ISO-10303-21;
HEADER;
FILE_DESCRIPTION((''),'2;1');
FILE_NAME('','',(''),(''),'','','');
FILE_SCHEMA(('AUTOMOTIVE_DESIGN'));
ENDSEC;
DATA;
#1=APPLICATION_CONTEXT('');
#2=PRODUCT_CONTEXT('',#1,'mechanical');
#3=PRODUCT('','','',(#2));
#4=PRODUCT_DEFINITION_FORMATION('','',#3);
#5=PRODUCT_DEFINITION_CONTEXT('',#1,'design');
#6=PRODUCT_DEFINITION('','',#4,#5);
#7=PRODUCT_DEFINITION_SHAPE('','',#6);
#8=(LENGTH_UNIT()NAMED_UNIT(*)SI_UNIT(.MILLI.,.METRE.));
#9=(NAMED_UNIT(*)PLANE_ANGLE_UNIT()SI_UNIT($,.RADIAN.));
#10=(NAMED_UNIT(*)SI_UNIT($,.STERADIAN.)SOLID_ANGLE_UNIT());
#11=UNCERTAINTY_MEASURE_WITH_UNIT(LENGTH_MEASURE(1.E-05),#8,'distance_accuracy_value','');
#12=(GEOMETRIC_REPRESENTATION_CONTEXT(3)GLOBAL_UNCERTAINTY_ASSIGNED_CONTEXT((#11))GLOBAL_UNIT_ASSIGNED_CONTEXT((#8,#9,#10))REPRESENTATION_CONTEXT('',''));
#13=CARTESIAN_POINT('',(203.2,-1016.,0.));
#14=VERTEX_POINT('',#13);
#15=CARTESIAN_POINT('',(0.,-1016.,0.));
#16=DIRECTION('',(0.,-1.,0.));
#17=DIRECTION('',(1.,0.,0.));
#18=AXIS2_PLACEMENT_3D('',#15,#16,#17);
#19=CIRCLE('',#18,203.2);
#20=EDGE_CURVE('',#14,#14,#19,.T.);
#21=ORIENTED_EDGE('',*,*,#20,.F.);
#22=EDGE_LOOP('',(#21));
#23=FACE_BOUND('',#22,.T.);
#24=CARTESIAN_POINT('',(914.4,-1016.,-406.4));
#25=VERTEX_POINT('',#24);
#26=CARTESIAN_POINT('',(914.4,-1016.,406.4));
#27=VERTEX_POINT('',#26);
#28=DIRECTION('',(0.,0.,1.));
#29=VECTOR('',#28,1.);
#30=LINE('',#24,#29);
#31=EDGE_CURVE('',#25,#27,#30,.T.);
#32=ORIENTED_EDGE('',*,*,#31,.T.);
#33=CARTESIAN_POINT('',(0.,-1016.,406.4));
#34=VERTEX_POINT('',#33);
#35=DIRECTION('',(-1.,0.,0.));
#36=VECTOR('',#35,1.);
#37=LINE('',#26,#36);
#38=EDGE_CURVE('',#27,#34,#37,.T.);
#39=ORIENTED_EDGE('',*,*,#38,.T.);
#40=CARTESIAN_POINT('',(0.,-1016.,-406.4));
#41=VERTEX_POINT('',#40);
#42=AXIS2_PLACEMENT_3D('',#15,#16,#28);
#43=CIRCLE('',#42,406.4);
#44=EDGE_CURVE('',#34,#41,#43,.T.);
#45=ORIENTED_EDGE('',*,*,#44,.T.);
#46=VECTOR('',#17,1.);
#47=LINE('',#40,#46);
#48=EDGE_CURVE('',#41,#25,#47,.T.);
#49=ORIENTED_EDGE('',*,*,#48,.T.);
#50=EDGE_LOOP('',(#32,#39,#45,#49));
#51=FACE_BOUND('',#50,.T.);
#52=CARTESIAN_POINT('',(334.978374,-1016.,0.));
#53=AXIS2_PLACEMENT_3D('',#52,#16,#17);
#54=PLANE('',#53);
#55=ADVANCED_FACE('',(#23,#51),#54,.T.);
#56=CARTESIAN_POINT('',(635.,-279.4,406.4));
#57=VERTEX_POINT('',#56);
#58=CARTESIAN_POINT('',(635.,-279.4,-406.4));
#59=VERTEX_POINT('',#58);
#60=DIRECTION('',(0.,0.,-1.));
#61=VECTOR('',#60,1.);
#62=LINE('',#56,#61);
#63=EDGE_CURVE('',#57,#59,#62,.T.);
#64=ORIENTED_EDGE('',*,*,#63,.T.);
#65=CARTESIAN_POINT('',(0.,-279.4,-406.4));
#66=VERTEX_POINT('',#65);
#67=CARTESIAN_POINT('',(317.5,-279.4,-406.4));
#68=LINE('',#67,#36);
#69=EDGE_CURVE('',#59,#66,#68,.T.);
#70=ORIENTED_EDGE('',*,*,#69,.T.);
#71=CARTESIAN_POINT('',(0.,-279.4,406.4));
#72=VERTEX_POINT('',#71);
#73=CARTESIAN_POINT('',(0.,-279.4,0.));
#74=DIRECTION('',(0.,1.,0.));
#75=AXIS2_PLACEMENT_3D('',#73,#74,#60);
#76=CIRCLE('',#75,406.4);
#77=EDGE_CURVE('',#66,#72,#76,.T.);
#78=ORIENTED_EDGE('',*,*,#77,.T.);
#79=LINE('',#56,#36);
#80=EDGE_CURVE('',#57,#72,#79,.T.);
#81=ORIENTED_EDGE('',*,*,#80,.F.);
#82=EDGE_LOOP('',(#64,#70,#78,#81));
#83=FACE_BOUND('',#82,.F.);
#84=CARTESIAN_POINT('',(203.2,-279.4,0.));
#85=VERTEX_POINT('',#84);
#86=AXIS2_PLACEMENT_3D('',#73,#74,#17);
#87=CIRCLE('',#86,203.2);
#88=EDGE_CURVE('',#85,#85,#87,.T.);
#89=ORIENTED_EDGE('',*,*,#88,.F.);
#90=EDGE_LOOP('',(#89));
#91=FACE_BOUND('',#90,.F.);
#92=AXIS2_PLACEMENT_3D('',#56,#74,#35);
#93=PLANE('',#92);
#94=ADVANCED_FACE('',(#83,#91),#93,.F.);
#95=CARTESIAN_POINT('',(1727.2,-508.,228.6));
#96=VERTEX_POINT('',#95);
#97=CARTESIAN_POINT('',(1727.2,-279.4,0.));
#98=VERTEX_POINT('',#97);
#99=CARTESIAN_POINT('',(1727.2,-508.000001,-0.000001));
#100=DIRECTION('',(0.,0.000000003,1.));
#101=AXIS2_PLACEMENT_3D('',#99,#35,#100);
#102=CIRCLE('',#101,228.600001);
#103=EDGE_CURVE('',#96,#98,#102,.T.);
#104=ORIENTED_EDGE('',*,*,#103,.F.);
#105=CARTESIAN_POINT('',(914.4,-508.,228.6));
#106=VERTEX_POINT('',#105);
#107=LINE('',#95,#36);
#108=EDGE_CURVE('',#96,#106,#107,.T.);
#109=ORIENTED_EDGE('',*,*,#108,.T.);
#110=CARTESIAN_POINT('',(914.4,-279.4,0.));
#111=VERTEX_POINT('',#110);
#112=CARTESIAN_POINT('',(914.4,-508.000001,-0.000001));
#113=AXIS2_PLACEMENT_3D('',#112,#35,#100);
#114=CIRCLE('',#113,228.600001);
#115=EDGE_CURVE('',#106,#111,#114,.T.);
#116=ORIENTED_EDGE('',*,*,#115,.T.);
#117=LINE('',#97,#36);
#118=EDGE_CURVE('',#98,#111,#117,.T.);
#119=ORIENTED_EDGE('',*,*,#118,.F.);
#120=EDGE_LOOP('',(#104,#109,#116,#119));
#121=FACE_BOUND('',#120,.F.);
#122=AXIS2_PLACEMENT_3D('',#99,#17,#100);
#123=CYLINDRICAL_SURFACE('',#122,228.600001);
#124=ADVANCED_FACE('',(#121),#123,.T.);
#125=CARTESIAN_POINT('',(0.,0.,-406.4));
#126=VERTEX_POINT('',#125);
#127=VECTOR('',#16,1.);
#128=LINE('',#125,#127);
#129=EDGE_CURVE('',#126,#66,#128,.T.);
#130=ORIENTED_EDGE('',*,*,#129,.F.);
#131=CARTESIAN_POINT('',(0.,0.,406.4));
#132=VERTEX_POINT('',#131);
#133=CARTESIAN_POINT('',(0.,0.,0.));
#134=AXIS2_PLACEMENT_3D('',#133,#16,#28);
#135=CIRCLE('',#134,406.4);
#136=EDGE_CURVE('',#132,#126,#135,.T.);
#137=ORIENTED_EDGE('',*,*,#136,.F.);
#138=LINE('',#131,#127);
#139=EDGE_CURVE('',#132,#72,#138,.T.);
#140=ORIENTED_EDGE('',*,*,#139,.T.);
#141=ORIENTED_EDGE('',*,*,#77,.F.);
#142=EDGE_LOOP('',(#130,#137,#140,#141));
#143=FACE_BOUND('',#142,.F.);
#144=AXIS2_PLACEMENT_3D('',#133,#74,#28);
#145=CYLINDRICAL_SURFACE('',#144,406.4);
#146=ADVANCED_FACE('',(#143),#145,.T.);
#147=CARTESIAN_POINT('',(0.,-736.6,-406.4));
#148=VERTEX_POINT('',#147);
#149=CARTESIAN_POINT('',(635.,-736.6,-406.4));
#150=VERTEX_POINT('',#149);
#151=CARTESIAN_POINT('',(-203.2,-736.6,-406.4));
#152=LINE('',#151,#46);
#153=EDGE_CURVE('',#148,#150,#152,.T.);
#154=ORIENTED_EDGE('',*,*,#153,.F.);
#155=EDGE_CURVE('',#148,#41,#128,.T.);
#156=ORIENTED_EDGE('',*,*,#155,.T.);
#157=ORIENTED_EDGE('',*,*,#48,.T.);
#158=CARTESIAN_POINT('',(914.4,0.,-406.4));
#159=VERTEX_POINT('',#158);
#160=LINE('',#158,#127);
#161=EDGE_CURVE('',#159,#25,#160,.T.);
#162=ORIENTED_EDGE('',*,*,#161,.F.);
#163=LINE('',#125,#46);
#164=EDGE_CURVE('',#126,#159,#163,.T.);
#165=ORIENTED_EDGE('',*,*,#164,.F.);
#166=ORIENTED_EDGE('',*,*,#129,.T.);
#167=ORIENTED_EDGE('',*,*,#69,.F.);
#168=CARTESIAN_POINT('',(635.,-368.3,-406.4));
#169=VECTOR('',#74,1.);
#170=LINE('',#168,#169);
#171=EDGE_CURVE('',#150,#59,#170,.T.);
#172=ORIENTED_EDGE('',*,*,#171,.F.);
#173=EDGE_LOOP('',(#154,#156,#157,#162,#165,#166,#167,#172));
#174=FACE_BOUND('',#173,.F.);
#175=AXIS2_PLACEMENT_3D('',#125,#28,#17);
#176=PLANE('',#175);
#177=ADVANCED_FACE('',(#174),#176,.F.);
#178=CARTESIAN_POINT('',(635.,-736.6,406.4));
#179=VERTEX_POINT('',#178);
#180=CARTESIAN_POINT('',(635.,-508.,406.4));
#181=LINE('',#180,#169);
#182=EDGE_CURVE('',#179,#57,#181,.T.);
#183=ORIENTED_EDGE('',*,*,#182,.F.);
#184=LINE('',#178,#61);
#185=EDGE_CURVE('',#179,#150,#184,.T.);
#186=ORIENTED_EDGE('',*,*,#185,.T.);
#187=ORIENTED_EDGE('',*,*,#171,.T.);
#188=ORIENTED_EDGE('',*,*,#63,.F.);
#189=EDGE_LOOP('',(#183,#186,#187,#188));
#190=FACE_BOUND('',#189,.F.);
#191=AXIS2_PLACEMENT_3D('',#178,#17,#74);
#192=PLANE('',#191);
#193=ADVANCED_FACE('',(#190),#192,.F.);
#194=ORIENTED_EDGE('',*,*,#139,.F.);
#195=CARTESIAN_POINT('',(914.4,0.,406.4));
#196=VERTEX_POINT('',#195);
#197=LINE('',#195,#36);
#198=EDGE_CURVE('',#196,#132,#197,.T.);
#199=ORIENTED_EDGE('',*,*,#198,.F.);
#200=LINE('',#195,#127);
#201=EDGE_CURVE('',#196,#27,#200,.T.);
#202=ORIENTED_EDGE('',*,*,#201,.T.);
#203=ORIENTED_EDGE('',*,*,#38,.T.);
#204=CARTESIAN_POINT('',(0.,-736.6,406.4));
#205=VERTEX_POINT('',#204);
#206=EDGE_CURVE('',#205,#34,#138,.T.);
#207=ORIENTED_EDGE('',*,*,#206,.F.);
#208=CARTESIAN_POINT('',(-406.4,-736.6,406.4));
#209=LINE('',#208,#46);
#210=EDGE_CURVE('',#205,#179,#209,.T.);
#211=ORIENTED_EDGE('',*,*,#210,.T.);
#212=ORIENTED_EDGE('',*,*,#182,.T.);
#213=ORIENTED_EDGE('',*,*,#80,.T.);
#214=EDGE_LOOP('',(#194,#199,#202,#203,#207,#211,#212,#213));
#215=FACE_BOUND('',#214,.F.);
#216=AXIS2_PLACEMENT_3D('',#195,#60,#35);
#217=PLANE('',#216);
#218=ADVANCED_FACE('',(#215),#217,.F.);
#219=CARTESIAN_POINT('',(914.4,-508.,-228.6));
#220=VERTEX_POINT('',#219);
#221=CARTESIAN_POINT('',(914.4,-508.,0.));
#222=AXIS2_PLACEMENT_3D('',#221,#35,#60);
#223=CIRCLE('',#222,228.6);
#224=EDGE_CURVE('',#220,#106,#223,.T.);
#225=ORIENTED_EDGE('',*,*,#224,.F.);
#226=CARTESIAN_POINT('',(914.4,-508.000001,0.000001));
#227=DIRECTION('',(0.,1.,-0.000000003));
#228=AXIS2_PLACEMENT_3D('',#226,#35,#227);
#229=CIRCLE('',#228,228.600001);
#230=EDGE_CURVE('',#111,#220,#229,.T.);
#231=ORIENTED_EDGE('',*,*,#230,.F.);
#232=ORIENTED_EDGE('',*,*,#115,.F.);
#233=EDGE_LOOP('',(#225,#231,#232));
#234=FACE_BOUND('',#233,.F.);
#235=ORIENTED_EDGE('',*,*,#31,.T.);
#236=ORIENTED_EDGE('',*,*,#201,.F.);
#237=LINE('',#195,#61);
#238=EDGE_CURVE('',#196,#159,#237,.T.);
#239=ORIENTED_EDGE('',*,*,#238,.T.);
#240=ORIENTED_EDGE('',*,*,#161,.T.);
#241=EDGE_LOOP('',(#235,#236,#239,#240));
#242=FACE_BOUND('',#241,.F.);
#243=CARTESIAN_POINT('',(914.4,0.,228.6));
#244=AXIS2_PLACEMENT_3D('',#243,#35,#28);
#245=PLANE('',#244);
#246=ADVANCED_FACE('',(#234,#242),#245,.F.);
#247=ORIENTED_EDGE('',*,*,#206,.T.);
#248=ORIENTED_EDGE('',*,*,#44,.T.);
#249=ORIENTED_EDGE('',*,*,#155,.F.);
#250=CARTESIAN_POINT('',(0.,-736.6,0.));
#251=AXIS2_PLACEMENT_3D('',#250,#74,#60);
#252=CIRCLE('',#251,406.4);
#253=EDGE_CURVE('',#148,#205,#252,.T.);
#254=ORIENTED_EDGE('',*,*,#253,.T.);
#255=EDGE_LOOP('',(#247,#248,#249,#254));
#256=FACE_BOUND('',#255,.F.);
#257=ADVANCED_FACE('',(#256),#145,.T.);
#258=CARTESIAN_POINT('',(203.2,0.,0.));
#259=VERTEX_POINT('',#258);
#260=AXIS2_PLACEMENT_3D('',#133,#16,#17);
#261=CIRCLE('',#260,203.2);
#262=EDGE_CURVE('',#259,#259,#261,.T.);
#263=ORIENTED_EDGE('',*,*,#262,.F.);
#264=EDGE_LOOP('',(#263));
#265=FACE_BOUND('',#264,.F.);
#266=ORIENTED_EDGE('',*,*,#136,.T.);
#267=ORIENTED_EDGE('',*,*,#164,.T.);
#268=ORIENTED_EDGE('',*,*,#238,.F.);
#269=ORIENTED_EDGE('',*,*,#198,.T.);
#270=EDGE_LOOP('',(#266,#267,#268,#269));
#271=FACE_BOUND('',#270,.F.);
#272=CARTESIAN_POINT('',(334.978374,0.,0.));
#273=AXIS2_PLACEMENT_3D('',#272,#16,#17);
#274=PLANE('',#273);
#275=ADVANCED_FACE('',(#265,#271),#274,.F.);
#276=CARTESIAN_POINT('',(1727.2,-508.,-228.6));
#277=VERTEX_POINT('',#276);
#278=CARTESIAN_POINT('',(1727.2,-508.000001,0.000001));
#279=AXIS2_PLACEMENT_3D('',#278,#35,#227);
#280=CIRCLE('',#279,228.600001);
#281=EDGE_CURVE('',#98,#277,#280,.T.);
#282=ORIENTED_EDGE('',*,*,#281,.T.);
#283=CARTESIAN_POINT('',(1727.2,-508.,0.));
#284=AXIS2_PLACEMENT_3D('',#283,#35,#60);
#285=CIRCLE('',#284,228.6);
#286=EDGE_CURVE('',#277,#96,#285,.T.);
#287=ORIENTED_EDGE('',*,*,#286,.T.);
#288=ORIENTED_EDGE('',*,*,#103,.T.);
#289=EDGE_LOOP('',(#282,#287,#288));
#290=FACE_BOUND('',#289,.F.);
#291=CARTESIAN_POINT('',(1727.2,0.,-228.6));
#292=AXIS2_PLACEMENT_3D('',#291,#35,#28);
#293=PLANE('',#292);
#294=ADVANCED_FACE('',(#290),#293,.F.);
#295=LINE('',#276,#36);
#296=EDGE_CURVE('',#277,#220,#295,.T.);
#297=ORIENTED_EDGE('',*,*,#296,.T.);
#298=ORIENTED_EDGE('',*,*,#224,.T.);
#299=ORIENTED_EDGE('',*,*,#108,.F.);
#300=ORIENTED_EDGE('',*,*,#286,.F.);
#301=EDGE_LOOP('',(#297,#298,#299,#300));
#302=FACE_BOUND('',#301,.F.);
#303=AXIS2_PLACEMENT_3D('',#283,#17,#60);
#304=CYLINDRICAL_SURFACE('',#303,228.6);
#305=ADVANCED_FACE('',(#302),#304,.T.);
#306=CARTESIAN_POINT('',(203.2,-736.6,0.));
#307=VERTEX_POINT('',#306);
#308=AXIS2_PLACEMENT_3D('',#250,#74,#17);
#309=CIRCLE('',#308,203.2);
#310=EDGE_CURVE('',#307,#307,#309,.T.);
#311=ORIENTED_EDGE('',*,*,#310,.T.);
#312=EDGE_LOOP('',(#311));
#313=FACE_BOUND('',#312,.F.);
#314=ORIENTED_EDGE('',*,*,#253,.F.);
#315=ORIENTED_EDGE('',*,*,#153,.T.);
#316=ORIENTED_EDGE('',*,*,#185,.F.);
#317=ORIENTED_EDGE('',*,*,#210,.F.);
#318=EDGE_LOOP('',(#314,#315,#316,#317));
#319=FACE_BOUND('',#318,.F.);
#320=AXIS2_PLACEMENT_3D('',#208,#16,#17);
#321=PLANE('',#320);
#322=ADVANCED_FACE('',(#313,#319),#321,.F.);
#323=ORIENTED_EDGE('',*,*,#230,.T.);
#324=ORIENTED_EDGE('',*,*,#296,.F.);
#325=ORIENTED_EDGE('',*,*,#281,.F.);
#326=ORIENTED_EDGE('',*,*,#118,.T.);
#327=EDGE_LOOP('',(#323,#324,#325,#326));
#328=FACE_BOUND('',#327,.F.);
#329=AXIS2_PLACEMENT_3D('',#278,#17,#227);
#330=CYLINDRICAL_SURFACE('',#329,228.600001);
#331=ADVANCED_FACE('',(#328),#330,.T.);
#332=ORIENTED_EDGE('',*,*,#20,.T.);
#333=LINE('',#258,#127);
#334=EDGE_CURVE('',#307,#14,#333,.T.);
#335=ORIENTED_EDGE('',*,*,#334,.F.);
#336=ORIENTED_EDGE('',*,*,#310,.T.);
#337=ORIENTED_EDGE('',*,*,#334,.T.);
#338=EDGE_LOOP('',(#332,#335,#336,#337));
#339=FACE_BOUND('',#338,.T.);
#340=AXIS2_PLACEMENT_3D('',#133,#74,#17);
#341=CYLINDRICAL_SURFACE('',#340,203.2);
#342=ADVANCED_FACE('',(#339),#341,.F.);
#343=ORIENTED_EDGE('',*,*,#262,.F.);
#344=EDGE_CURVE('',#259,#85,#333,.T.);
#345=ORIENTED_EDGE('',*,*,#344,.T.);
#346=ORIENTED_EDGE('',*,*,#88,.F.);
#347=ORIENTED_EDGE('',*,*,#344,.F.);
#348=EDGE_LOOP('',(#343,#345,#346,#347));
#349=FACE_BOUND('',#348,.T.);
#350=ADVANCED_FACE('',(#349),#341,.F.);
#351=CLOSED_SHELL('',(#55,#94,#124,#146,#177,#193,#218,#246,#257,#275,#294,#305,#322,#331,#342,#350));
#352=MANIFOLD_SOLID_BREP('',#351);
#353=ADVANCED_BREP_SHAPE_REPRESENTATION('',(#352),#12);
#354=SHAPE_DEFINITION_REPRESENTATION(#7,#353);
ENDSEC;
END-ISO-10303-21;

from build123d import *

# Parameters (mm, degrees)
F0_R     = 203.2
F0_W     = 812.8
F0_H     = 457.2
F1_DEPTH = 1016
F2_W     = 635
F2_H     = 457.2
F2_W_2   = 406.4
F3_DEPTH = 812.801
F5_DEPTH = 812.8


with BuildPart() as f1:
    # F0 (on Front) → F1 (new body)
    with BuildSketch(Plane.XZ):
        with BuildLine():
            Line((914.4, 406.4), (0, 406.4))
            ThreePointArc((0, 406.4), (-406.4, 0), (0, -406.4))
            Line((0, -406.4), (914.4, -406.4))
            Line((914.4, -406.4), (914.4, -228.6))
            Line((914.4, -228.6), (914.4, 228.6))
            Line((914.4, 228.6), (914.4, 406.4))
        make_face()
        Circle(F0_R, mode=Mode.SUBTRACT)
        with Locations((1320.8, 0)):
            Rectangle(F0_W, F0_H)
    extrude(amount=F1_DEPTH)

    # F2 (on face) → F3 (cut, through all)
    with BuildSketch(Plane.XY.offset(406.4)):
        with Locations((317.5, -508)):
            Rectangle(F2_W, F2_H)
        with Locations((-203.2, -508)):
            Rectangle(F2_W_2, F2_H)
    extrude(amount=-F3_DEPTH, mode=Mode.SUBTRACT)

    # F4 (on face) → F5 (cut)
    with BuildSketch(Plane.YZ.offset(1727.2)):
        with BuildLine():
            ThreePointArc((-508, -228.6), (-736.6, 0), (-508, 228.6))
            Line((-508, 228.6), (-1016, 228.6))
            Line((-1016, 228.6), (-1016, -228.6))
            Line((-1016, -228.6), (-508, -228.6))
        make_face()
        with BuildLine():
            ThreePointArc((-508, 228.6), (-346.35539, 161.64461), (-279.4, 0))
            ThreePointArc((-279.4, 0), (-346.35539, -161.64461), (-508, -228.6))
            Line((-508, -228.6), (0, -228.6))
            Line((0, -228.6), (0, 228.6))
            Line((0, 228.6), (-508, 228.6))
        make_face()
    extrude(amount=-F5_DEPTH, mode=Mode.SUBTRACT)


solid = f1.part
